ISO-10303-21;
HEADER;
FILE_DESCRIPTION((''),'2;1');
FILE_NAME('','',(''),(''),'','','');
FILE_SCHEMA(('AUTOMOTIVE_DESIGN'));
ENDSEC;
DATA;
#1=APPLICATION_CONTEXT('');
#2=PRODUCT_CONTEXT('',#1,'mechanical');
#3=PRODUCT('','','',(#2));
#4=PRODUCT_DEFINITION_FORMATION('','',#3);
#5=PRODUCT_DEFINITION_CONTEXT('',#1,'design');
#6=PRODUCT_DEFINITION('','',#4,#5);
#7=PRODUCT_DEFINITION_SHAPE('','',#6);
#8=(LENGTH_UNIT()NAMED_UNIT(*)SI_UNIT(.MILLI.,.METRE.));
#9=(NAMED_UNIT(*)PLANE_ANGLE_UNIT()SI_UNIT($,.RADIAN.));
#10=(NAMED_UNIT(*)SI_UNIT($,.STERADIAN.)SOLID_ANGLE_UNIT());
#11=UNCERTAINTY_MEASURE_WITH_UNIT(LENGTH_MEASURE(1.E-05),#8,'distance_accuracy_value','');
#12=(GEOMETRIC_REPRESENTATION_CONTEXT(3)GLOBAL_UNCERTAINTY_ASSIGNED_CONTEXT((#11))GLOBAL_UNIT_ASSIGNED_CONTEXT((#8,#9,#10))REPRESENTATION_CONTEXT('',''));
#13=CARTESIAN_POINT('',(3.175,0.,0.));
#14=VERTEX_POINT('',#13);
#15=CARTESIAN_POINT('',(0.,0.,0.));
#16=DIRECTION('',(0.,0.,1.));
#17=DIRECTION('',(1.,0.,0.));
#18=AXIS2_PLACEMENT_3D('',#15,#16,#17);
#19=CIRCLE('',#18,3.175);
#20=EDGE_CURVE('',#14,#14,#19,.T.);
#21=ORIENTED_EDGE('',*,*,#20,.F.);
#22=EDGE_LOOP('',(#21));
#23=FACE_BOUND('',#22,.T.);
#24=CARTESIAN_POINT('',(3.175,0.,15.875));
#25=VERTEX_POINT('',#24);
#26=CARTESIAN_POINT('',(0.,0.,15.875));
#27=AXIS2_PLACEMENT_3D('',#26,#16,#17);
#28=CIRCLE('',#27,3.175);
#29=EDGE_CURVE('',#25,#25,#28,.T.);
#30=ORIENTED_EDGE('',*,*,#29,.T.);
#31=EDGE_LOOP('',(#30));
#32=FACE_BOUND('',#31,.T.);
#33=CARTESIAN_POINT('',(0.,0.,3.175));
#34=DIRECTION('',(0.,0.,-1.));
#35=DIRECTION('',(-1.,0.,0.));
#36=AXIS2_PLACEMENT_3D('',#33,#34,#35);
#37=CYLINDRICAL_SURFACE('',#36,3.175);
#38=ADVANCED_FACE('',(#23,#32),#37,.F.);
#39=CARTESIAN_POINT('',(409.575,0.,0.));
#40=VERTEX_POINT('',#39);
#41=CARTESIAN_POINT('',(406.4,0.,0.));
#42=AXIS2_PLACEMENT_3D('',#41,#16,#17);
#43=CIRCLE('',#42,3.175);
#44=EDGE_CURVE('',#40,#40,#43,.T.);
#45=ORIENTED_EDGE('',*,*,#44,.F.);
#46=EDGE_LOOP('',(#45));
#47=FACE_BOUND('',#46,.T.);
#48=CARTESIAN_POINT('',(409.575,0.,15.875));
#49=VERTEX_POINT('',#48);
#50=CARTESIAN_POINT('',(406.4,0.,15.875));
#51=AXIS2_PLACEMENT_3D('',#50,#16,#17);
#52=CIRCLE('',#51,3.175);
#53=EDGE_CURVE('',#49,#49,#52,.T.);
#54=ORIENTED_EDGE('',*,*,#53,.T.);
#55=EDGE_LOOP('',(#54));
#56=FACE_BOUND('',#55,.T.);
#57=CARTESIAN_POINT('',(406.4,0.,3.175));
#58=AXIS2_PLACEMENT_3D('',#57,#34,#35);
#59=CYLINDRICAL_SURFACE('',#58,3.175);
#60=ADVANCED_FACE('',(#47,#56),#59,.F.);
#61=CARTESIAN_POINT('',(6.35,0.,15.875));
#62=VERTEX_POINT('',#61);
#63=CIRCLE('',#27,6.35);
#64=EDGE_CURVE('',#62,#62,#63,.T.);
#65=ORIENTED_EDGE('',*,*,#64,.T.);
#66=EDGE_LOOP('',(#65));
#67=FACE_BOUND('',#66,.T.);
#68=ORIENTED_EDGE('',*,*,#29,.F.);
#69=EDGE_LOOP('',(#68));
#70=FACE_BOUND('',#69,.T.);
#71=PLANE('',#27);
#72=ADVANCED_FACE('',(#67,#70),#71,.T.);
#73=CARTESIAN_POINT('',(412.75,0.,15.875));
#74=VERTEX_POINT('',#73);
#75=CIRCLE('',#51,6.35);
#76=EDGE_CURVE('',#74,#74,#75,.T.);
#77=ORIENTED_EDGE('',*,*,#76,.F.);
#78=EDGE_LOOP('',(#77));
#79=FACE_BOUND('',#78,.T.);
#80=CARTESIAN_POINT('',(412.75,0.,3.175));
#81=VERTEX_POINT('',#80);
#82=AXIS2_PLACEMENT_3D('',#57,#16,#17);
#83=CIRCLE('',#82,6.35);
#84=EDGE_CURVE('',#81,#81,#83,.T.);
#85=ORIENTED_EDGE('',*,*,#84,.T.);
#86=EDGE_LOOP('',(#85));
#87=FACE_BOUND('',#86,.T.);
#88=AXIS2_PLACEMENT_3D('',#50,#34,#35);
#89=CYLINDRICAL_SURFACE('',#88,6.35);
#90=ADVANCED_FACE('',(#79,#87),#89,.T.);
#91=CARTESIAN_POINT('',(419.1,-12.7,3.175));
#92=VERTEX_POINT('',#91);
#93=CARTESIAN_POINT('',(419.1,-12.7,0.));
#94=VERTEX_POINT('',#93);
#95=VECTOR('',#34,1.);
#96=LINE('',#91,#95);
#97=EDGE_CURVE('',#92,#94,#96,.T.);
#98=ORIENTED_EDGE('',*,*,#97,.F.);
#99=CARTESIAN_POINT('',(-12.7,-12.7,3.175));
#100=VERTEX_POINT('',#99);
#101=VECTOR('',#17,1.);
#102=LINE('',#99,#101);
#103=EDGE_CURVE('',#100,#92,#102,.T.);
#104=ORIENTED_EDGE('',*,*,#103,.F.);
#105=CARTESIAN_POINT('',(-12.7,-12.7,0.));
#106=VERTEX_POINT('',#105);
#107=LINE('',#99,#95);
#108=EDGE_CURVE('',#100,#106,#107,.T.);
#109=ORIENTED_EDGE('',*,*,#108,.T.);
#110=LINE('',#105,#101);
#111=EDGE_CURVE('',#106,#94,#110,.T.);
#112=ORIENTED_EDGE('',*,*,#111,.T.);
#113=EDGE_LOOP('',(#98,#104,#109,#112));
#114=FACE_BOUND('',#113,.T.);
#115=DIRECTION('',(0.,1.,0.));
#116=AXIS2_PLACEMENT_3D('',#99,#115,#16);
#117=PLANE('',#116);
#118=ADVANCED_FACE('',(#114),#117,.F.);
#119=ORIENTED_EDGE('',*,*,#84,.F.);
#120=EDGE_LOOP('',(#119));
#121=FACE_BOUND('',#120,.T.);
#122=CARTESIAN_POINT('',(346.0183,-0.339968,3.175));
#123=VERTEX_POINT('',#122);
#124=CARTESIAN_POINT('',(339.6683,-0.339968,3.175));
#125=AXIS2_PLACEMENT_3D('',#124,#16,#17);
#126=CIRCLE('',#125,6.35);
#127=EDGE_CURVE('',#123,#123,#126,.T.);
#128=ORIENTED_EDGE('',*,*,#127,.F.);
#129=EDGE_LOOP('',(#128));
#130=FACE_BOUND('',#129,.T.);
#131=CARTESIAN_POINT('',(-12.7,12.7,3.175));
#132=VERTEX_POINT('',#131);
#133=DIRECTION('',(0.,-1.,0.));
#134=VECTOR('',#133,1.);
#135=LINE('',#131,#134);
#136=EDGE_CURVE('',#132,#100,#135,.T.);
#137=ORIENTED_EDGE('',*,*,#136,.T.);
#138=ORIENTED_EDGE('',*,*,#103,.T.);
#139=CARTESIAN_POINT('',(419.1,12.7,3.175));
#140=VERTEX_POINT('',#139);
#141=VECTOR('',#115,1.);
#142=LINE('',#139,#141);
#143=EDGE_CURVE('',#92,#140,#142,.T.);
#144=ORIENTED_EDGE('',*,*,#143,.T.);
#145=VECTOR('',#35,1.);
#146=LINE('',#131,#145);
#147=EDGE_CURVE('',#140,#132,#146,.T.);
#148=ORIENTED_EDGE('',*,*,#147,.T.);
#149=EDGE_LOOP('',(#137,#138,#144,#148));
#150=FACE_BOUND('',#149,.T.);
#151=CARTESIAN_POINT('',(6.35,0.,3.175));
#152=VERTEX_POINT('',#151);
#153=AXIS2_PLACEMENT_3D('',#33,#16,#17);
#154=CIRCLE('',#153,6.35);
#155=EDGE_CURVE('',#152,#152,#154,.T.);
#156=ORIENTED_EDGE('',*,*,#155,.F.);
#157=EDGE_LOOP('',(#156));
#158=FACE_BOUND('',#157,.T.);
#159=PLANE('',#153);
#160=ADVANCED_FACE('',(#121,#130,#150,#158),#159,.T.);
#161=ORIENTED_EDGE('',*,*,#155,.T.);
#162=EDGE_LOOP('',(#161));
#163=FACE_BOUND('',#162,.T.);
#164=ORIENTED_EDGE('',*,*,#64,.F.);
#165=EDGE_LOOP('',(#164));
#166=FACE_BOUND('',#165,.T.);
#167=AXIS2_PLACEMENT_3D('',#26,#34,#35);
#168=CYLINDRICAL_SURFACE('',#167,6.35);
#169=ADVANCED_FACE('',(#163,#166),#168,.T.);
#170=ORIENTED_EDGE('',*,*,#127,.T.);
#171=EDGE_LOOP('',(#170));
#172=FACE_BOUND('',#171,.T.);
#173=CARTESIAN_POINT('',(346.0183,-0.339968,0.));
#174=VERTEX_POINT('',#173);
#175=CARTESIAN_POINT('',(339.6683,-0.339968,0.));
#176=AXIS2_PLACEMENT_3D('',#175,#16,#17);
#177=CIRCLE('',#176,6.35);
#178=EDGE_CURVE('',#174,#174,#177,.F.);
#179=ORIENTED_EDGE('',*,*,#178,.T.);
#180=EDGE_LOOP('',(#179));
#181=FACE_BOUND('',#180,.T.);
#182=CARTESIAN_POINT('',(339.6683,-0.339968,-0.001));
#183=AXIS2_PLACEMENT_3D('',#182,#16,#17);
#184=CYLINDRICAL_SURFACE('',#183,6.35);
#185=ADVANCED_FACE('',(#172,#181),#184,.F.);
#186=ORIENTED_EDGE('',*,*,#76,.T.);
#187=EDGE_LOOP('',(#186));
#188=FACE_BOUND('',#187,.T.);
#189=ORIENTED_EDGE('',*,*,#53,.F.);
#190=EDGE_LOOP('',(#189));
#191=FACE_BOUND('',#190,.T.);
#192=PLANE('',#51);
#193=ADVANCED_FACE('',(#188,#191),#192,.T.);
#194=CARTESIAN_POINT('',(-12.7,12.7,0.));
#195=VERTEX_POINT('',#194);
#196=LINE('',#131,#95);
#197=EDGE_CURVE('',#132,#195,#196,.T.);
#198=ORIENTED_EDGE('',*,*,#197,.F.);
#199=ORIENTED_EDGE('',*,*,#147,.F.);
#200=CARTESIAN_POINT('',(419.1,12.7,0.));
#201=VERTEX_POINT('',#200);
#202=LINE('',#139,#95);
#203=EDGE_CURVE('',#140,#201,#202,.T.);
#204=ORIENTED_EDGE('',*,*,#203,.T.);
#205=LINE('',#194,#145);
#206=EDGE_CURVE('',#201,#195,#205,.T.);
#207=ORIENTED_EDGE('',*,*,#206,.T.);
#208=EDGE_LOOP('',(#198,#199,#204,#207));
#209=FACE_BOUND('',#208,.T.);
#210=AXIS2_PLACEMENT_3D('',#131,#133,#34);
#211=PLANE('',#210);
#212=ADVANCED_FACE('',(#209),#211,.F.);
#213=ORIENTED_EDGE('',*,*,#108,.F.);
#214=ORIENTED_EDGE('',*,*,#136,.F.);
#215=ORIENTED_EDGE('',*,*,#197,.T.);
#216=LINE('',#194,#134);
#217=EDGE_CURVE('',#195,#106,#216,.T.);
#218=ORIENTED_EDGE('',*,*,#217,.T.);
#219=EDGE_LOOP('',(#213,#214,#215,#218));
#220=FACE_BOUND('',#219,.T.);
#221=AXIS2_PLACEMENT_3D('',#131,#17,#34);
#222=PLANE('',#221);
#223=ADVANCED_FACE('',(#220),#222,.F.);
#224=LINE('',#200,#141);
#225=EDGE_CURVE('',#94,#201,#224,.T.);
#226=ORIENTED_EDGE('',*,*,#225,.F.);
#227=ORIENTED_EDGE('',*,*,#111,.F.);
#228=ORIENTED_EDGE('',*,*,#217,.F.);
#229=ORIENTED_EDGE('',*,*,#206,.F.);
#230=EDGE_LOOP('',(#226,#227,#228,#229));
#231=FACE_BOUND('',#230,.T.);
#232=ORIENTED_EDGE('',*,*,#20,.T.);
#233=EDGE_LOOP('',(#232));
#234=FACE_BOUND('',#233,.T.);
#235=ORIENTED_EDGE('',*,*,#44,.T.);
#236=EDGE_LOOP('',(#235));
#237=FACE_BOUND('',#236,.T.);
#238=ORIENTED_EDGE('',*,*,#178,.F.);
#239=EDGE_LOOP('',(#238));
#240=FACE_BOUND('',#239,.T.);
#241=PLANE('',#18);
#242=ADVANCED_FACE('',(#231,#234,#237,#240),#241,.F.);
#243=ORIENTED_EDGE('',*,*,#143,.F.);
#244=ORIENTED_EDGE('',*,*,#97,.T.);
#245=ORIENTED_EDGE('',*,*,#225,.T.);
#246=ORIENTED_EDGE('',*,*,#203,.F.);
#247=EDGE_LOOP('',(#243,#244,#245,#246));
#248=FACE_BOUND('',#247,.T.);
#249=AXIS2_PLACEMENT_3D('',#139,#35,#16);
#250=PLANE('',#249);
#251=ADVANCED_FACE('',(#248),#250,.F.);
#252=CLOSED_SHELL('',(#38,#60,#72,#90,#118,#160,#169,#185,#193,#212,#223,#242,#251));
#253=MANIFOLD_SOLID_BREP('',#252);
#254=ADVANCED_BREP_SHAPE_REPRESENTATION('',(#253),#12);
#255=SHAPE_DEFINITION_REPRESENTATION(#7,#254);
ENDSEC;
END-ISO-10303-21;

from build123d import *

# Parameters (mm, degrees)
SKETCH1_W           = 431.8
SKETCH1_H           = 25.4
SKETCH1_R           = 3.175
BOSS_EXTRUDE1_DEPTH = 3.175
SKETCH2_R           = 6.35
SKETCH2_R_2         = 3.175
BOSS_EXTRUDE2_DEPTH = 12.7
CUT_EXTRUDE1_REACH  = 5.175
SKETCH3_R           = 6.35


with BuildPart() as part:
    # Sketch1 → Boss-Extrude1 (new body)
    with BuildSketch(Plane.XY):
        with Locations((203.2, 0)):
            Rectangle(SKETCH1_W, SKETCH1_H)
        Circle(SKETCH1_R, mode=Mode.SUBTRACT)
        with Locations((406.4, 0)):
            Circle(SKETCH1_R, mode=Mode.SUBTRACT)
    extrude(amount=BOSS_EXTRUDE1_DEPTH)

    # Sketch2 → Boss-Extrude2 (add)
    with BuildSketch(Plane.XY.offset(3.175)):
        Circle(SKETCH2_R)
        Circle(SKETCH2_R_2, mode=Mode.SUBTRACT)
        with Locations((406.4, 0)):
            Circle(SKETCH2_R)
        with Locations((406.4, 0)):
            Circle(SKETCH2_R_2, mode=Mode.SUBTRACT)
    extrude(amount=BOSS_EXTRUDE2_DEPTH)

    # Sketch3 → Cut-Extrude1 (cut, up to next)
    with BuildSketch(Plane.XY.offset(3.175), mode=Mode.PRIVATE) as cut_extrude1_sk1:
        with Locations((339.668299959, -0.339967612)):
            Circle(SKETCH3_R)
    cut_extrude1_tool1 = extrude(cut_extrude1_sk1.sketch, amount=-CUT_EXTRUDE1_REACH, mode=Mode.PRIVATE) & part.part
    add(cut_extrude1_tool1.solids().sort_by_distance((339.6683, -0.339968, 3.175))[0], mode=Mode.SUBTRACT)


solid = part.part
